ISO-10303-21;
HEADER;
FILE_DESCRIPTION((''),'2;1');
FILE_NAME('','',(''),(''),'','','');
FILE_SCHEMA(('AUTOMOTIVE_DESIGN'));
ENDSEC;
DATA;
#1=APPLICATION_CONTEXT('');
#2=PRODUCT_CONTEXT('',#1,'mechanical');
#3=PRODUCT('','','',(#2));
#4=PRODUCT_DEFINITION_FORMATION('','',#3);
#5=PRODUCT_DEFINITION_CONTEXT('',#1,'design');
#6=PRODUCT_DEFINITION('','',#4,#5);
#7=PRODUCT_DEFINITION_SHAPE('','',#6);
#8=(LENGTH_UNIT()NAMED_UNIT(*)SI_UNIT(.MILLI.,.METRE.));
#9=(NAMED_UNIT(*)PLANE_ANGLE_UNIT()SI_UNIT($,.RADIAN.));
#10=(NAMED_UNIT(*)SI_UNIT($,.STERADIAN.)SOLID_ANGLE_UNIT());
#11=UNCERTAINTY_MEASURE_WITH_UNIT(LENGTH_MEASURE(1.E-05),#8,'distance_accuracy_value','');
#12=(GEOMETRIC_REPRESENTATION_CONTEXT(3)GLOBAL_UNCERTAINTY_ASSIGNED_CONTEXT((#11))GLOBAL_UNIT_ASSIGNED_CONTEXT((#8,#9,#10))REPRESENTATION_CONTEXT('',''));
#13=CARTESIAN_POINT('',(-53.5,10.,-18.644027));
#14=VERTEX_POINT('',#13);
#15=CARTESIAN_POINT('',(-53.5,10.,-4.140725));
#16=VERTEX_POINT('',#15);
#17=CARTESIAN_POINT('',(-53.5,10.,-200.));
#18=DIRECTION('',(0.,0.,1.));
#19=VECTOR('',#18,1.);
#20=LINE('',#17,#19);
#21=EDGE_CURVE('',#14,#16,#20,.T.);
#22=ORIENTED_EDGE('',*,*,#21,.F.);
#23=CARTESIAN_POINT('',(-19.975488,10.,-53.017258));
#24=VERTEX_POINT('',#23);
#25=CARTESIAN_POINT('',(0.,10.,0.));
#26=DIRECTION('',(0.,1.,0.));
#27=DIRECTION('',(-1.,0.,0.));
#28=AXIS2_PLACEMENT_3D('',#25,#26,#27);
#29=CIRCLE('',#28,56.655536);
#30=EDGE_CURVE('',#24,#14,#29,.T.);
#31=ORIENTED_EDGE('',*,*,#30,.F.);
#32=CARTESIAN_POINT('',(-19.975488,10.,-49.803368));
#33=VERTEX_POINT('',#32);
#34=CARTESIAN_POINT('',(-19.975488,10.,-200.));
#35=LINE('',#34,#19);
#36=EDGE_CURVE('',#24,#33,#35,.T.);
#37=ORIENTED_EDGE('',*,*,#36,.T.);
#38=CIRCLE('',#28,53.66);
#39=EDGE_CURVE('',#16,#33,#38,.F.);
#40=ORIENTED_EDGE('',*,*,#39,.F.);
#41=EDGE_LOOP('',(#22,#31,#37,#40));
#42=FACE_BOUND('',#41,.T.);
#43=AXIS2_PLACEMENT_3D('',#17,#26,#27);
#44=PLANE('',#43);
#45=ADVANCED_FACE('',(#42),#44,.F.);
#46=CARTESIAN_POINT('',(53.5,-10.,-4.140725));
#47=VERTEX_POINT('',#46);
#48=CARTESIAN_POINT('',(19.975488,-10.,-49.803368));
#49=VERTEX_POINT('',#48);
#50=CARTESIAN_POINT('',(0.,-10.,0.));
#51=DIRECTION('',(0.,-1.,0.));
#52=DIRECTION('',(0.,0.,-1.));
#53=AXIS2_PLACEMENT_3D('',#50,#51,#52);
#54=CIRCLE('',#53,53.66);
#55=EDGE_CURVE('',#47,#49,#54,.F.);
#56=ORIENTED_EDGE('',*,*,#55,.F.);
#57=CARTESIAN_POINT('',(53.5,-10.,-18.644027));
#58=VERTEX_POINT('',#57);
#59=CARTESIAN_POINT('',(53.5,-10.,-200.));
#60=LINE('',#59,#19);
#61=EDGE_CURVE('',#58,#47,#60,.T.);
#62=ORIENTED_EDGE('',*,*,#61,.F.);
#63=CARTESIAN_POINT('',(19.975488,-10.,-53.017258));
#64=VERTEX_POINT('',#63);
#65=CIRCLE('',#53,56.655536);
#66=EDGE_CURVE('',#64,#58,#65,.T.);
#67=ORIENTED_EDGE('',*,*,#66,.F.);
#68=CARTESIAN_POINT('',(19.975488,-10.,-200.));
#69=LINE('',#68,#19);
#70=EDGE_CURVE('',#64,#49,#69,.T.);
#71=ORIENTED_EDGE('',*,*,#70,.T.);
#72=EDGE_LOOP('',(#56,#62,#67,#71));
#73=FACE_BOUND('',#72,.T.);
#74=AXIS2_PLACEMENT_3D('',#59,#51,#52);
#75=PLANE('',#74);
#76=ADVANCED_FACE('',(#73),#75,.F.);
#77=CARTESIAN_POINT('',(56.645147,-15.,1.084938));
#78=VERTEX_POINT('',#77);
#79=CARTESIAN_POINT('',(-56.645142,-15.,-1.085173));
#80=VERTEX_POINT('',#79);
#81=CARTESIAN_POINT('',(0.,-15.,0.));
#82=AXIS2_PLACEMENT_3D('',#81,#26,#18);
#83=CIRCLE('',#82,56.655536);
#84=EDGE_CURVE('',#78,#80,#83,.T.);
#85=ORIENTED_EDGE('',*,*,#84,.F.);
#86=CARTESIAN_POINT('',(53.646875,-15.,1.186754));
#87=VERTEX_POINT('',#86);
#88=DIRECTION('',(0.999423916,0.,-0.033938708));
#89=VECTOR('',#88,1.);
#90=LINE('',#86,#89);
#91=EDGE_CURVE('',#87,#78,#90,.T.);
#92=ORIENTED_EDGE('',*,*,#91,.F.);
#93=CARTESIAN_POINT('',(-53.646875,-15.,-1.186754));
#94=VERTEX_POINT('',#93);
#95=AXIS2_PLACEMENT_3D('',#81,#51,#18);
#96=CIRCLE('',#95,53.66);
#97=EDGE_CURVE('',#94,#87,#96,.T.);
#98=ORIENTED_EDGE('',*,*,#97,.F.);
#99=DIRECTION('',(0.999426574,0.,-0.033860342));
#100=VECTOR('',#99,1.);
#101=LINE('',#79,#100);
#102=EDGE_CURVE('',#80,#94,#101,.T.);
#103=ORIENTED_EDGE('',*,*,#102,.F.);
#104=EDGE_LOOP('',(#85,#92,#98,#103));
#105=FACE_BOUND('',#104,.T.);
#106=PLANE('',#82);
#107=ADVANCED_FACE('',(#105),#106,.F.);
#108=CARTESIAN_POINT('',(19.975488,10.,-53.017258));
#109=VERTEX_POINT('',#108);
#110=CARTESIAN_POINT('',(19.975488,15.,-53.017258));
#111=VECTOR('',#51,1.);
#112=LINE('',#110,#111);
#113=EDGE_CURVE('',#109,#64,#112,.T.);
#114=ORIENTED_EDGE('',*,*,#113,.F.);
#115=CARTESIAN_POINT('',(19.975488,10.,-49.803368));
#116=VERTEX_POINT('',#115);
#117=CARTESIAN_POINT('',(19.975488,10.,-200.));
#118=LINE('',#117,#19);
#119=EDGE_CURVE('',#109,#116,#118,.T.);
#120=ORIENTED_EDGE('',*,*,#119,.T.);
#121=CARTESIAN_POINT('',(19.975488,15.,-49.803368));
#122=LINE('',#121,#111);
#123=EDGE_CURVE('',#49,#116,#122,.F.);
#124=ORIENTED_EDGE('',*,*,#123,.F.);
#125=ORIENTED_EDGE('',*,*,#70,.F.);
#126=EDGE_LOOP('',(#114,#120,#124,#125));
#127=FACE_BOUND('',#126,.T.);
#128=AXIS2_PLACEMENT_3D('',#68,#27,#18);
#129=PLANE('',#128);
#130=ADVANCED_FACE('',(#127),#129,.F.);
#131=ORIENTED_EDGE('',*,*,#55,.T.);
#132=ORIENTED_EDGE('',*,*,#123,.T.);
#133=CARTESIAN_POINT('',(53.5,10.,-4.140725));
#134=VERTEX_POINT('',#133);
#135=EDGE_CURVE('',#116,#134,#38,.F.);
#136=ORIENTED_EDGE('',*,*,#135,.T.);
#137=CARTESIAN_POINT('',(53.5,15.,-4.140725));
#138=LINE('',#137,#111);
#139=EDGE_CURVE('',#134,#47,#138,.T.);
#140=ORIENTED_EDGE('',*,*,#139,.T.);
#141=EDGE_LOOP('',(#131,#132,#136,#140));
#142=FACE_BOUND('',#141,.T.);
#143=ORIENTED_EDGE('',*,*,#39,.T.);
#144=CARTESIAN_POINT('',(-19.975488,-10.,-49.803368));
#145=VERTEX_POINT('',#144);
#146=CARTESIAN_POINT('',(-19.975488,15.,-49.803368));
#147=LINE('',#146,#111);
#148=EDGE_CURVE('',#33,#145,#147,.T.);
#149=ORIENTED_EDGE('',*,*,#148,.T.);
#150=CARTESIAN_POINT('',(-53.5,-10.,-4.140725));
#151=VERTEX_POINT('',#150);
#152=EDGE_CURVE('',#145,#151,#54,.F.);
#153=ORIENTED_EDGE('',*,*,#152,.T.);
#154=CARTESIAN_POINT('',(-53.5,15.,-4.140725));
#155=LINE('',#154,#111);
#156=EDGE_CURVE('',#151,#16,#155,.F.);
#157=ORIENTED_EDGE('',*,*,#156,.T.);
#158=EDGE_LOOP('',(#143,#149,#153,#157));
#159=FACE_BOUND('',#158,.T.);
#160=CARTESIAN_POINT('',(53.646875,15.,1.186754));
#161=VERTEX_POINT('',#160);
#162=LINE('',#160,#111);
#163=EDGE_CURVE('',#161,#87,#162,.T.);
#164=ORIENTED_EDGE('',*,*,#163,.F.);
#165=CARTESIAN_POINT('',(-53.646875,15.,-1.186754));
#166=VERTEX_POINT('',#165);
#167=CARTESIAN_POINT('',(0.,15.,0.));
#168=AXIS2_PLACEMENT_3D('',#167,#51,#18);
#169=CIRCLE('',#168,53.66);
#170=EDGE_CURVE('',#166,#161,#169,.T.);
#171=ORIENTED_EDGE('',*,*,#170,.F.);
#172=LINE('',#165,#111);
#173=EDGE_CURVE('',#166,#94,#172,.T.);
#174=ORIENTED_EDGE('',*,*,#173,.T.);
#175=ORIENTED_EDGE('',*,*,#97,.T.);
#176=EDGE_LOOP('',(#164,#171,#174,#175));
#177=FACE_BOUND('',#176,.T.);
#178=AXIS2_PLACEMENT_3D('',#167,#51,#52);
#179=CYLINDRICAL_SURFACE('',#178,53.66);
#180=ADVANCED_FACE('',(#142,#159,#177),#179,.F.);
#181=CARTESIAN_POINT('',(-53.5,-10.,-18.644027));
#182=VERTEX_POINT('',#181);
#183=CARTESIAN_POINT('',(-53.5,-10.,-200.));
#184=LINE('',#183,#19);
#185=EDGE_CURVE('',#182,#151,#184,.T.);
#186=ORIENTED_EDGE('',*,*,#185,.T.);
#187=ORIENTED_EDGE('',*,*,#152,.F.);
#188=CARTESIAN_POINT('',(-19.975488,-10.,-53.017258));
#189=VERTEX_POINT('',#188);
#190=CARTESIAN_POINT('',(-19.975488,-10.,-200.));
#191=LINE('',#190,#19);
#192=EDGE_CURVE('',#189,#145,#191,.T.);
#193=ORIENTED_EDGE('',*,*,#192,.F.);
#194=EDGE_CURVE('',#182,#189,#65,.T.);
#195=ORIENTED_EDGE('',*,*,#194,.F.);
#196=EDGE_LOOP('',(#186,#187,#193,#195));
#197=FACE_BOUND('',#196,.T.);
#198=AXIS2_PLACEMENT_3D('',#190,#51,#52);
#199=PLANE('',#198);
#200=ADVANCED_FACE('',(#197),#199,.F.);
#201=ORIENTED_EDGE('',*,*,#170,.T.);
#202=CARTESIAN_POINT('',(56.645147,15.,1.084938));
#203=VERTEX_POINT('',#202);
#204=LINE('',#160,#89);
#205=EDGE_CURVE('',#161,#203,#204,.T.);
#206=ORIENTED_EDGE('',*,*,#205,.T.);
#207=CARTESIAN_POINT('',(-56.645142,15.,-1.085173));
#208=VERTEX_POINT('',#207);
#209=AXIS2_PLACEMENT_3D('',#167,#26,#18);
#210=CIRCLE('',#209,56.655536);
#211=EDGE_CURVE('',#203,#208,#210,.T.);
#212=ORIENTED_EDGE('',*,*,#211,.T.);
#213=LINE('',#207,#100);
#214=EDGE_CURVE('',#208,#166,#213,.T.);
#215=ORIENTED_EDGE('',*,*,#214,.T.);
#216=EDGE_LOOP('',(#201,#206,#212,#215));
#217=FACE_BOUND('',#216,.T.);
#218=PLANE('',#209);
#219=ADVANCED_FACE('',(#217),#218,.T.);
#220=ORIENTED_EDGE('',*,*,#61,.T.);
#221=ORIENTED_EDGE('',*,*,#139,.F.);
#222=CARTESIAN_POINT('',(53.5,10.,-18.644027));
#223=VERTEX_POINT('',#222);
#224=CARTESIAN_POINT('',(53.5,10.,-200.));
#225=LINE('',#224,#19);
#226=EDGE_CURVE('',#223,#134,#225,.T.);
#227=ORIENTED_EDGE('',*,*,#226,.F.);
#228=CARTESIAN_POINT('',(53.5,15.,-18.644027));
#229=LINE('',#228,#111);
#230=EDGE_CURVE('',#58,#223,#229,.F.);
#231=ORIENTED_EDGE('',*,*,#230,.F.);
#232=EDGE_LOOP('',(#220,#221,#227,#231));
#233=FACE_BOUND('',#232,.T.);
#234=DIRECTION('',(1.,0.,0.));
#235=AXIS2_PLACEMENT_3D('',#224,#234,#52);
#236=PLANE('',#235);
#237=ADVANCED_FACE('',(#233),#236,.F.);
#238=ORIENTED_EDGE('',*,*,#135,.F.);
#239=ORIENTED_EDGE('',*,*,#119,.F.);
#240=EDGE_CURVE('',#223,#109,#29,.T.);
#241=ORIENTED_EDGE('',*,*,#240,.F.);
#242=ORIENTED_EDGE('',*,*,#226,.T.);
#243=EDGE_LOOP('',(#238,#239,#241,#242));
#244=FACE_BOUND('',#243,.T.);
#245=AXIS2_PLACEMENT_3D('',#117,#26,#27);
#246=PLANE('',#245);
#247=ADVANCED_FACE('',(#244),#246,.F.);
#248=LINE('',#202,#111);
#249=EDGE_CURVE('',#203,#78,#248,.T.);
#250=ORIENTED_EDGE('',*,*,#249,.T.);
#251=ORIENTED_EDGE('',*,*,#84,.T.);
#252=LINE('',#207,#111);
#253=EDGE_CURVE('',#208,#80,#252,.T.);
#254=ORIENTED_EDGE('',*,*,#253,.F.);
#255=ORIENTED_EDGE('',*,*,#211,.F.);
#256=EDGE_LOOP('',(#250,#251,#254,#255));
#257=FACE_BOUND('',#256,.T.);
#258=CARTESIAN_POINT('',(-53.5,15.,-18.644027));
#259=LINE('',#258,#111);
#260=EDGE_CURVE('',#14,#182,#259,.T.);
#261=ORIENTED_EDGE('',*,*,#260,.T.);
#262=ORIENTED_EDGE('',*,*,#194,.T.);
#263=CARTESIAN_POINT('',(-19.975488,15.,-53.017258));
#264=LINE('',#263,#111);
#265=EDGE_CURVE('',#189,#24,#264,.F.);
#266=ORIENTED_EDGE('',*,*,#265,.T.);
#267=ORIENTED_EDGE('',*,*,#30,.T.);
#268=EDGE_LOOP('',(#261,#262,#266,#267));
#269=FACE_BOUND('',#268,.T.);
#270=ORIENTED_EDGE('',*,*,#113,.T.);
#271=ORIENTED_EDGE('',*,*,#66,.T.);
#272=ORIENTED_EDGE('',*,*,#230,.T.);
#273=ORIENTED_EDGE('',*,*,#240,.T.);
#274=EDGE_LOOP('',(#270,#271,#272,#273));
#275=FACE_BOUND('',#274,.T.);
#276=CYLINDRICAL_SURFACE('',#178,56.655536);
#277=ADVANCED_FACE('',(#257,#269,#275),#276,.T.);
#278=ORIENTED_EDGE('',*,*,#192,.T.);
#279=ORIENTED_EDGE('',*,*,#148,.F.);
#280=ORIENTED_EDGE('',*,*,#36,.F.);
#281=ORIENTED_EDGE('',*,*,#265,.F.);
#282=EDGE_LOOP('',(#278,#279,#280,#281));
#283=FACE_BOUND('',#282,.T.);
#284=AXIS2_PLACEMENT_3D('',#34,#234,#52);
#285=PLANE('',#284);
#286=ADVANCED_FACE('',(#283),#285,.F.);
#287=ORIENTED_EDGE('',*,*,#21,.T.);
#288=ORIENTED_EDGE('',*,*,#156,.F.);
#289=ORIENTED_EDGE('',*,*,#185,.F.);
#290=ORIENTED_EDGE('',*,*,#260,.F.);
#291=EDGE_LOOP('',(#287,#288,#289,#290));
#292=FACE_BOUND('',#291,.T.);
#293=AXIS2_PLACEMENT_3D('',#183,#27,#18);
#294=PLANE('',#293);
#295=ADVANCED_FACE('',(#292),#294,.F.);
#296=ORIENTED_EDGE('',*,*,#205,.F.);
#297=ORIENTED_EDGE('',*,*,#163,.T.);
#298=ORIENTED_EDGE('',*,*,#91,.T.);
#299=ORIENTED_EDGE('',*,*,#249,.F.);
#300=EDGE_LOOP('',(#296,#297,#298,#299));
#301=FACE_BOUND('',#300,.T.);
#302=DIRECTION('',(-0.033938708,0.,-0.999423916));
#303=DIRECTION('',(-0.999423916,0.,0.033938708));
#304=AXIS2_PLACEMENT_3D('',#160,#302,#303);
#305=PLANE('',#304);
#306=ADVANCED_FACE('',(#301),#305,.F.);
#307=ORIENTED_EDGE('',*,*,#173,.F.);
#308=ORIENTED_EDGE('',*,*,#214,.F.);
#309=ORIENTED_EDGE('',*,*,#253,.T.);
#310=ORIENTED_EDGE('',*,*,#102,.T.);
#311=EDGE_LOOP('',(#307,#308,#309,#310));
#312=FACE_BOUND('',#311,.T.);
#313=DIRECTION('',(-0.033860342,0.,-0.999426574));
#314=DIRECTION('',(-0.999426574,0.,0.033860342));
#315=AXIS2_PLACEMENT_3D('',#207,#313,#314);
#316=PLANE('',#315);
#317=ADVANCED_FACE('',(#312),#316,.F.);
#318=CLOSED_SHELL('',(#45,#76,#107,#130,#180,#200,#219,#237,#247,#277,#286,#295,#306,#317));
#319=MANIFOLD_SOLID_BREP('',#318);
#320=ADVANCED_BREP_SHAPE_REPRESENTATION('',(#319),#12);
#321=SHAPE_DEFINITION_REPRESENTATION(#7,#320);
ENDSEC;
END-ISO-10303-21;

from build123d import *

# Parameters (mm, degrees)
BOSS_EXTRUDE1_DEPTH = 15
SKETCH4_W           = 33.524511878
SKETCH4_H           = 20
CUT_EXTRUDE2_DEPTH  = 200


with BuildPart() as part:
    # Sketch1 → Boss-Extrude1 (new, symmetric)
    with BuildSketch(Plane(origin=(0, 0, 0), x_dir=(1, 0, 0), z_dir=(0, 1, 0))):
        with BuildLine():
            Line((-56.6451424, 1.085173475), (-53.646875163, 1.186754079))
            ThreePointArc((-53.646875163, 1.186754079), (1.186754079, 53.646875163), (53.646875163, -1.186754079))
            Line((53.646875163, -1.186754079), (56.645146911, -1.084937955))
            ThreePointArc((56.645146911, -1.084937955), (1.085055715, 56.645144656), (-56.6451424, 1.085173475))
        make_face()
    extrude(amount=BOSS_EXTRUDE1_DEPTH, both=True)

    # Sketch4 → Cut-Extrude2 (cut)
    with BuildSketch(Plane.XY):
        with Locations((-36.737744061, 0)):
            Rectangle(SKETCH4_W, SKETCH4_H)
        with Locations((36.737744061, 0)):
            Rectangle(SKETCH4_W, SKETCH4_H)
    extrude(amount=-CUT_EXTRUDE2_DEPTH, mode=Mode.SUBTRACT)


solid = part.part
